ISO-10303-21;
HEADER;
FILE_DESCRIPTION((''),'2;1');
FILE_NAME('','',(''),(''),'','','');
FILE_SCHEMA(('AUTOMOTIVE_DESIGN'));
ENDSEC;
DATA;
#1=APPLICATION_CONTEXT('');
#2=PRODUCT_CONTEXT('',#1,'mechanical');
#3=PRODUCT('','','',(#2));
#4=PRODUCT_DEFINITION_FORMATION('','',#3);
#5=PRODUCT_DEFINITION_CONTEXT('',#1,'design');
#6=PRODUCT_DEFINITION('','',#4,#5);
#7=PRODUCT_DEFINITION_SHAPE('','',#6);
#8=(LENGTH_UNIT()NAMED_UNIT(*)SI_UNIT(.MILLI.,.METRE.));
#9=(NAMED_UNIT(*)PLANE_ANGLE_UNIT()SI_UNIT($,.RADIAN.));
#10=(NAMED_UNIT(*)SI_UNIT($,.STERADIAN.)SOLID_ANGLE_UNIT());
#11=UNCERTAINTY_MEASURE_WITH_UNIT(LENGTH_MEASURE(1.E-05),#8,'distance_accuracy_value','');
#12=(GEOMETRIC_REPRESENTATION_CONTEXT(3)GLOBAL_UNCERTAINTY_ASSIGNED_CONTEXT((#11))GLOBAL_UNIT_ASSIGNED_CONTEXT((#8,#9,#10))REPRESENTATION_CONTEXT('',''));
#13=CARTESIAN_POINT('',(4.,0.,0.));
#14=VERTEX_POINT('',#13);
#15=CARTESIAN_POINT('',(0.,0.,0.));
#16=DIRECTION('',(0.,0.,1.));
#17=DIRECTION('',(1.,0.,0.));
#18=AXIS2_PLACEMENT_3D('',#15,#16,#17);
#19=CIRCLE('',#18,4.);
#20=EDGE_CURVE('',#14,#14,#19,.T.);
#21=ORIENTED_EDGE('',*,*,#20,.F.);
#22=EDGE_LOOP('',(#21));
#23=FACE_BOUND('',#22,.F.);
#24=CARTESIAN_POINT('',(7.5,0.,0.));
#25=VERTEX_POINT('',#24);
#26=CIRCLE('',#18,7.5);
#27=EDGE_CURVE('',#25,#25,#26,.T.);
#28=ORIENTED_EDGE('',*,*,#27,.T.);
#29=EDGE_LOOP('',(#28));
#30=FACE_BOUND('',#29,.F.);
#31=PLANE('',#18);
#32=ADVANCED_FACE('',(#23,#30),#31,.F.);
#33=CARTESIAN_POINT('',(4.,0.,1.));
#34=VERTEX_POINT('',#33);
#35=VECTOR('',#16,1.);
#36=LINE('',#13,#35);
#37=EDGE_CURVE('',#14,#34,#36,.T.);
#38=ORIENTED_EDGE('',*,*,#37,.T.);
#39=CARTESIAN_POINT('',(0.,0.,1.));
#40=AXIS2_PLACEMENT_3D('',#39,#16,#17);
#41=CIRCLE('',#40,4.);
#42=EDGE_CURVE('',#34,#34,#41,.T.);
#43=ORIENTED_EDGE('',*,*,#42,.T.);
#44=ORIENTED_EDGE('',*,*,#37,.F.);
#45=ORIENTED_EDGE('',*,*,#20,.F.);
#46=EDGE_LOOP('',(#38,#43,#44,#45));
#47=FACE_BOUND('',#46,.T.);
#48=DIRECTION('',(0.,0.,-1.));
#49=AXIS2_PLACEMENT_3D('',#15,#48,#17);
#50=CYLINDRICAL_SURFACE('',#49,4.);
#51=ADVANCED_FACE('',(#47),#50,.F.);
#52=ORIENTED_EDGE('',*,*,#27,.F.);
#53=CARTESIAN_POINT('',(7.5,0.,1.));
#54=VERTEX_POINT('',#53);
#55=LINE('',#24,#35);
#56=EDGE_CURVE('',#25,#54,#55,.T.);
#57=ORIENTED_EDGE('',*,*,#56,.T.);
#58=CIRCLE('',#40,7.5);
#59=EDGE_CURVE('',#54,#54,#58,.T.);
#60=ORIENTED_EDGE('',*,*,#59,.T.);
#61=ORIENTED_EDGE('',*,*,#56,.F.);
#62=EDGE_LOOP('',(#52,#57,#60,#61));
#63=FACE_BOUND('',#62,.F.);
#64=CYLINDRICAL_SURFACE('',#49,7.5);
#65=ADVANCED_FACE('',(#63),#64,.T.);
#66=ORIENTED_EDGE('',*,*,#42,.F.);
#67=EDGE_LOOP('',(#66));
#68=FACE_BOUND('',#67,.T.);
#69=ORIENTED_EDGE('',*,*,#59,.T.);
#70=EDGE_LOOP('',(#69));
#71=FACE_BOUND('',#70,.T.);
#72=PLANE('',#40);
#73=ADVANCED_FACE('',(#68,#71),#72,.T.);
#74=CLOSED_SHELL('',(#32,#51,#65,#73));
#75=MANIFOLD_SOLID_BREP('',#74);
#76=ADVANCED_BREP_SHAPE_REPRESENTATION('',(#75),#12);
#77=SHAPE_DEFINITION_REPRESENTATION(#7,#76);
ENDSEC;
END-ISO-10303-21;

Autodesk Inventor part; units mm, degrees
ref_plane "YZ Plane" through (0, 0, 0) normal (1, 0, 0) x (0, 1, 0)
ref_plane "XZ Plane" through (0, 0, 0) normal (0, 1, 0) x (-1, 0, 0)
ref_plane "XY Plane" through (0, 0, 0) normal (0, 0, 1) x (1, 0, 0)
sketch "スケッチ1" plane through (0, 0, 0) normal (0, 0, 1) x (1, 0, 0)
  circle A0 centre (0, 0) radius 4
  circle A1 centre (0, 0) radius 7.5
  dimension "d0" = 8
  dimension "d1" = 15
extrude "押し出し1" add sketch "スケッチ1" along normal blind 1
properties part number "TT-0822-10" material "고무"
